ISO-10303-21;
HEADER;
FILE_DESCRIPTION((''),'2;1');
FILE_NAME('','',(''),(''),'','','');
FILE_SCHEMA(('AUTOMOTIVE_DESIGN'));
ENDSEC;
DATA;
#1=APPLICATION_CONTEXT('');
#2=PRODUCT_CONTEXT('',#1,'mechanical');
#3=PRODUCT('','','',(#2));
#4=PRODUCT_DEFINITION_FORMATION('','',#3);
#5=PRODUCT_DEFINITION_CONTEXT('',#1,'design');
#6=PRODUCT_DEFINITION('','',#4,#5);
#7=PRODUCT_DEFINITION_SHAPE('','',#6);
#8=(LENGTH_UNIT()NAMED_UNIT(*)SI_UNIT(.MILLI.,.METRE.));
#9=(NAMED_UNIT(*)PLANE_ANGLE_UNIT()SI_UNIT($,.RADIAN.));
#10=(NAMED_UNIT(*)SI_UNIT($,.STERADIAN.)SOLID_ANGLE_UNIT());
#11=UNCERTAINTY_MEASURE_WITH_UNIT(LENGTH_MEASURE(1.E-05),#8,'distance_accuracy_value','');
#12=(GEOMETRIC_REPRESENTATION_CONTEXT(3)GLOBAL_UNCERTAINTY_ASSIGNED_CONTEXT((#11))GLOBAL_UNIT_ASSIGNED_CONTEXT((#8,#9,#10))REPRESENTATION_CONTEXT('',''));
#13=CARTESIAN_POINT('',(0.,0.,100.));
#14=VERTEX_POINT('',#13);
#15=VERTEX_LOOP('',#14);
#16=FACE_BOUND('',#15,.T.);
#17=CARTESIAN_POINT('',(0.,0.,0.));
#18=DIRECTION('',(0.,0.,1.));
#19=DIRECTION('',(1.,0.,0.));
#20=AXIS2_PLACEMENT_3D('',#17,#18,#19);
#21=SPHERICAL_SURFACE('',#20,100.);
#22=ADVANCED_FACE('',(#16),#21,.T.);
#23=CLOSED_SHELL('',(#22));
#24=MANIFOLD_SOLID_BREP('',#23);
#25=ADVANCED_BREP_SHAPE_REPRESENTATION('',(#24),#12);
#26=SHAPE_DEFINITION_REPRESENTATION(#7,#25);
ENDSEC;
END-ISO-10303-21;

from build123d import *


with BuildPart() as part:
    # sphere → sphere (revolve)
    with BuildSketch(Plane.XZ):
        with BuildLine():
            ThreePointArc((0, -100), (100, 0), (0, 100))
            Line((0, 100), (0, -100))
        make_face()
    revolve(axis=Axis((0, 0, 0), (0, 0, 1)))


solid = part.part
